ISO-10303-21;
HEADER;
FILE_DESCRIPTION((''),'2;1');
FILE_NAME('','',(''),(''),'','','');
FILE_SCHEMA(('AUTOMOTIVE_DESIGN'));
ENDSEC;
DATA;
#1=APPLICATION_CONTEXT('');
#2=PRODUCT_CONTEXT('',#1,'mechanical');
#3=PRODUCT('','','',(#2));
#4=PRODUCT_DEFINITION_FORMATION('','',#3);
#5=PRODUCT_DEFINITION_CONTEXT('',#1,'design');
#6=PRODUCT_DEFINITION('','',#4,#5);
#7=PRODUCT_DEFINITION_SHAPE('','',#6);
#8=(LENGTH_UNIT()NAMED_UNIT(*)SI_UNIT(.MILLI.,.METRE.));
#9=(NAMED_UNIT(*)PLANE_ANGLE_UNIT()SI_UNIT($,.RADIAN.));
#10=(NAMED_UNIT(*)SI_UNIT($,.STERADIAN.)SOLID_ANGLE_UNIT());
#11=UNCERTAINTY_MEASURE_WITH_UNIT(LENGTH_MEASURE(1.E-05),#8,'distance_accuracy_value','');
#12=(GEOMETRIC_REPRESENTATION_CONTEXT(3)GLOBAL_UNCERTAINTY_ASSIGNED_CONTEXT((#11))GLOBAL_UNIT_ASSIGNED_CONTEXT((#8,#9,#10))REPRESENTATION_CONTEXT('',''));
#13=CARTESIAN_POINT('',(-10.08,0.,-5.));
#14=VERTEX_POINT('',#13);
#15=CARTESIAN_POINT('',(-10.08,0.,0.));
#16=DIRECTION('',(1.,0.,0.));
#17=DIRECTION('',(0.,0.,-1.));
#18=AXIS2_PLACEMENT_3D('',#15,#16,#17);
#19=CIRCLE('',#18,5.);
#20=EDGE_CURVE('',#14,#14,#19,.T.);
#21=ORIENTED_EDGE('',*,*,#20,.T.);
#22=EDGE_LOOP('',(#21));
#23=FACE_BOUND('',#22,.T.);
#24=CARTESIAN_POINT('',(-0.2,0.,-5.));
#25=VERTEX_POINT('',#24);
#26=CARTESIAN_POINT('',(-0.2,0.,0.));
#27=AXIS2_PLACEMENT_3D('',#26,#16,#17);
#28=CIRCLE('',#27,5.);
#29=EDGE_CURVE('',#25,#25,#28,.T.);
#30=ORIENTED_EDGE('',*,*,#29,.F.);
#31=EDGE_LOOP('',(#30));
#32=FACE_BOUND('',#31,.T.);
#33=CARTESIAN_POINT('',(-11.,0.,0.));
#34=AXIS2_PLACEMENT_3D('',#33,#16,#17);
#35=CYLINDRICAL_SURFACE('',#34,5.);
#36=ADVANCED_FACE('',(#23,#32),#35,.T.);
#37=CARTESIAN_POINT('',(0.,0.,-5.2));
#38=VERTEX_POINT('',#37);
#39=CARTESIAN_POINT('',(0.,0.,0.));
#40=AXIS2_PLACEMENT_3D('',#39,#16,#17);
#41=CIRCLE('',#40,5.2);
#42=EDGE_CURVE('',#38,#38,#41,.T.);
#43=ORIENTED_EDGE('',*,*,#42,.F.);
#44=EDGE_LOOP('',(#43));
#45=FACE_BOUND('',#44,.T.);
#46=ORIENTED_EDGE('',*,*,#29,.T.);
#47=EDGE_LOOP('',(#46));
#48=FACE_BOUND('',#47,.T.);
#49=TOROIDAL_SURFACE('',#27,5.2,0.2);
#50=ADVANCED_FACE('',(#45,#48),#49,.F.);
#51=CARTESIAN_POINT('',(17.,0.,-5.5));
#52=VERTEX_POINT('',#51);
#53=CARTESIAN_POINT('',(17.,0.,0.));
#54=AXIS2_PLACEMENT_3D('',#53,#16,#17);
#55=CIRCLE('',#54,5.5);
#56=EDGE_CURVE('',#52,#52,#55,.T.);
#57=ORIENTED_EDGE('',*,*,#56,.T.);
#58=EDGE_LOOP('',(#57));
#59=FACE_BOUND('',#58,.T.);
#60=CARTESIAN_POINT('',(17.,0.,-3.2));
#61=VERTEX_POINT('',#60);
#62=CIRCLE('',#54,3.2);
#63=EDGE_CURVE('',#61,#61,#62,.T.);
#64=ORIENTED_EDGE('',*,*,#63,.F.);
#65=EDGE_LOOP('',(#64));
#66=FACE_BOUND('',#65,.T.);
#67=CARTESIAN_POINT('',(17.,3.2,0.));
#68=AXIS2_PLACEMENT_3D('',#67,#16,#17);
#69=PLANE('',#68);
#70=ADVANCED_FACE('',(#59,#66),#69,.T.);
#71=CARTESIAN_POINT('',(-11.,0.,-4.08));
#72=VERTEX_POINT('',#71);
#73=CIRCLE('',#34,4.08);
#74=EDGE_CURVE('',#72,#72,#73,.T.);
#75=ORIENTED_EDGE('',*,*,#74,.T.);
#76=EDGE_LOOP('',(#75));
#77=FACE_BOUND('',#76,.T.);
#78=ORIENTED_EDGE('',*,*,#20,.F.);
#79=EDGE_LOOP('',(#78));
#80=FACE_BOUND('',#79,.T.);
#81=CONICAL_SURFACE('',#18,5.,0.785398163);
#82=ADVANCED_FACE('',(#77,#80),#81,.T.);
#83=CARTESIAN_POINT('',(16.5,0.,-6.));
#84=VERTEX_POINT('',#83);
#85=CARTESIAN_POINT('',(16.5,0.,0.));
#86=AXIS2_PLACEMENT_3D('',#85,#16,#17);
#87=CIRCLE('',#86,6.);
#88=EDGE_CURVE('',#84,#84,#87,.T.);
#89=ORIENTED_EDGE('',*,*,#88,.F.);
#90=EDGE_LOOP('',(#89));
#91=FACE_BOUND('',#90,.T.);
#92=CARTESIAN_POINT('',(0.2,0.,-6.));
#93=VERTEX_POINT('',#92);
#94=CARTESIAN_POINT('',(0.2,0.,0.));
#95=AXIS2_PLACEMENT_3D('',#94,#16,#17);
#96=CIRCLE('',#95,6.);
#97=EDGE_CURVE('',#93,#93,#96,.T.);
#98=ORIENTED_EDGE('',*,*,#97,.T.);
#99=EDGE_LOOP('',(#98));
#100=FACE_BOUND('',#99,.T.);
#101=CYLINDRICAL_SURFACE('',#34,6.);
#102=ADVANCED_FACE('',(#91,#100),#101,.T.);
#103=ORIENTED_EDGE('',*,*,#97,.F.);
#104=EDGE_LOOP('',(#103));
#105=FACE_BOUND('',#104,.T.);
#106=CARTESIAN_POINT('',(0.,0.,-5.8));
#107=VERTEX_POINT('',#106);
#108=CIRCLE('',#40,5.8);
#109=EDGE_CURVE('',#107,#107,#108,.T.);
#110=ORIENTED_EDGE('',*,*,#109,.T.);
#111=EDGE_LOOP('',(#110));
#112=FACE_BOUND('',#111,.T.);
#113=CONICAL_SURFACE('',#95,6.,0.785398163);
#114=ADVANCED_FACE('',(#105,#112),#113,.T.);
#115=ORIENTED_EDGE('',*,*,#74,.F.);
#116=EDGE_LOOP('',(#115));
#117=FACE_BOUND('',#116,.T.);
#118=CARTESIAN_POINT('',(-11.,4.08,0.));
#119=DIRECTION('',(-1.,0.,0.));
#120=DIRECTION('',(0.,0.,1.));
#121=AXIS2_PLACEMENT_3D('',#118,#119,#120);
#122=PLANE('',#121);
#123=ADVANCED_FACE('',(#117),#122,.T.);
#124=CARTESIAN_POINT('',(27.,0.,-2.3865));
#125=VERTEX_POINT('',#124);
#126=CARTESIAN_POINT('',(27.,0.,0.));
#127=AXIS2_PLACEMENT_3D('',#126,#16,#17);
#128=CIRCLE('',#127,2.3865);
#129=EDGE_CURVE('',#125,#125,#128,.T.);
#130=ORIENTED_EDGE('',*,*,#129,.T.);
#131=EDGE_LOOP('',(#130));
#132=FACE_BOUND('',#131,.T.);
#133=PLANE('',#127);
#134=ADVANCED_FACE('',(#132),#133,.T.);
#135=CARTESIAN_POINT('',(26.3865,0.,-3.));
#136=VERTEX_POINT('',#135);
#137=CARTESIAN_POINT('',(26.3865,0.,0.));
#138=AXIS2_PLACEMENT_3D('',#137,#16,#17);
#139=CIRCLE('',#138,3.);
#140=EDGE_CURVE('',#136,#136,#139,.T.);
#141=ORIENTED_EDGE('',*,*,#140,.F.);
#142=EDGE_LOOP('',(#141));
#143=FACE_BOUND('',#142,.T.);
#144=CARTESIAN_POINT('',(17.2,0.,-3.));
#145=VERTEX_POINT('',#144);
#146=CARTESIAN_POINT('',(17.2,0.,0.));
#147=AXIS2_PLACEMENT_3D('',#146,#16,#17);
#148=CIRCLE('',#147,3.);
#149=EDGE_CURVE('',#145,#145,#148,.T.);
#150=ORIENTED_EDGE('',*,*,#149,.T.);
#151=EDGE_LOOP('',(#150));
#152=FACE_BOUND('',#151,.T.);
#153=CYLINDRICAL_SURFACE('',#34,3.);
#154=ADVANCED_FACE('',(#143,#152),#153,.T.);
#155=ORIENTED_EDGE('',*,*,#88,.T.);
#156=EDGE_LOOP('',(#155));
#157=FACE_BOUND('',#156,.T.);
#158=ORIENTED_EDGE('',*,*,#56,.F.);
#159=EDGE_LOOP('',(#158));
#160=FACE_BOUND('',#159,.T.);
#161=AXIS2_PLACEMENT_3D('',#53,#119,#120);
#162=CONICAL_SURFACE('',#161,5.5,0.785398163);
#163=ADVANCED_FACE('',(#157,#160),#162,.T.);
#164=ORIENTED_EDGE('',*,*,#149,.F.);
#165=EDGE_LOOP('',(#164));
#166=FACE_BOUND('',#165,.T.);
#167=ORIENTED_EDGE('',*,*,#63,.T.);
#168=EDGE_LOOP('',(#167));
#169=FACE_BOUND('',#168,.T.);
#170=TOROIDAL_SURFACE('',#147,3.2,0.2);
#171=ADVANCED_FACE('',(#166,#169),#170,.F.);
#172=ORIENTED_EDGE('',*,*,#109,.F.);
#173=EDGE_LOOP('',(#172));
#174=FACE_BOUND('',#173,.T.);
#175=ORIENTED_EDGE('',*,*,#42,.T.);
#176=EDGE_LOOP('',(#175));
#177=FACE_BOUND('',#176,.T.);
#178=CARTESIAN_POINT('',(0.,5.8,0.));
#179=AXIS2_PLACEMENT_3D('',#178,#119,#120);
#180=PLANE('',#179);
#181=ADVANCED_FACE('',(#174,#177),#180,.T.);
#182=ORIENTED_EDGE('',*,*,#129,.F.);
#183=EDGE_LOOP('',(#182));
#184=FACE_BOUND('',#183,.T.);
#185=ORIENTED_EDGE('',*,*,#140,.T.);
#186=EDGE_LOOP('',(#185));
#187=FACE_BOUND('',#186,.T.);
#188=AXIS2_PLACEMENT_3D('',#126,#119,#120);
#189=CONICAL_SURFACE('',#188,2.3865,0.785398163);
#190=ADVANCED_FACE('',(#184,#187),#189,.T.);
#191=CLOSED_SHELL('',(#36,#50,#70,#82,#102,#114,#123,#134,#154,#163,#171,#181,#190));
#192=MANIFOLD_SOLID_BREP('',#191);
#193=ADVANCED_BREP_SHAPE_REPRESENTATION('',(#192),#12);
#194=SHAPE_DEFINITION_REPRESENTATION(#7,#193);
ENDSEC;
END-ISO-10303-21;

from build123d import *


with BuildPart() as part:
    # Sketch1 → Revolve1 (revolve)
    with BuildSketch(Plane.XY, mode=Mode.PRIVATE) as revolve1_sk:
        with BuildLine():
            Line((-11, 4.08), (-11, 0))
            Line((-11, 0), (27, 0))
            Line((27, 0), (27, 2.3865))
            Line((27, 2.3865), (26.3865, 3))
            Line((26.3865, 3), (17.2, 3))
            ThreePointArc((17.2, 3), (17.058578644, 3.058578644), (17, 3.2))
            Line((17, 3.2), (17, 5.5))
            Line((17, 5.5), (16.5, 6))
            Line((16.5, 6), (0.2, 6))
            Line((0.2, 6), (0, 5.8))
            Line((0, 5.8), (0, 5.2))
            ThreePointArc((0, 5.2), (-0.058578644, 5.058578644), (-0.2, 5))
            Line((-0.2, 5), (-10.08, 5))
            Line((-10.08, 5), (-11, 4.08))
        make_face()
    revolve(revolve1_sk.sketch.rotate(Axis((-11, 0, 0), (1, 0, 0)), 270), axis=Axis((-11, 0, 0), (1, 0, 0)))


solid = part.part
